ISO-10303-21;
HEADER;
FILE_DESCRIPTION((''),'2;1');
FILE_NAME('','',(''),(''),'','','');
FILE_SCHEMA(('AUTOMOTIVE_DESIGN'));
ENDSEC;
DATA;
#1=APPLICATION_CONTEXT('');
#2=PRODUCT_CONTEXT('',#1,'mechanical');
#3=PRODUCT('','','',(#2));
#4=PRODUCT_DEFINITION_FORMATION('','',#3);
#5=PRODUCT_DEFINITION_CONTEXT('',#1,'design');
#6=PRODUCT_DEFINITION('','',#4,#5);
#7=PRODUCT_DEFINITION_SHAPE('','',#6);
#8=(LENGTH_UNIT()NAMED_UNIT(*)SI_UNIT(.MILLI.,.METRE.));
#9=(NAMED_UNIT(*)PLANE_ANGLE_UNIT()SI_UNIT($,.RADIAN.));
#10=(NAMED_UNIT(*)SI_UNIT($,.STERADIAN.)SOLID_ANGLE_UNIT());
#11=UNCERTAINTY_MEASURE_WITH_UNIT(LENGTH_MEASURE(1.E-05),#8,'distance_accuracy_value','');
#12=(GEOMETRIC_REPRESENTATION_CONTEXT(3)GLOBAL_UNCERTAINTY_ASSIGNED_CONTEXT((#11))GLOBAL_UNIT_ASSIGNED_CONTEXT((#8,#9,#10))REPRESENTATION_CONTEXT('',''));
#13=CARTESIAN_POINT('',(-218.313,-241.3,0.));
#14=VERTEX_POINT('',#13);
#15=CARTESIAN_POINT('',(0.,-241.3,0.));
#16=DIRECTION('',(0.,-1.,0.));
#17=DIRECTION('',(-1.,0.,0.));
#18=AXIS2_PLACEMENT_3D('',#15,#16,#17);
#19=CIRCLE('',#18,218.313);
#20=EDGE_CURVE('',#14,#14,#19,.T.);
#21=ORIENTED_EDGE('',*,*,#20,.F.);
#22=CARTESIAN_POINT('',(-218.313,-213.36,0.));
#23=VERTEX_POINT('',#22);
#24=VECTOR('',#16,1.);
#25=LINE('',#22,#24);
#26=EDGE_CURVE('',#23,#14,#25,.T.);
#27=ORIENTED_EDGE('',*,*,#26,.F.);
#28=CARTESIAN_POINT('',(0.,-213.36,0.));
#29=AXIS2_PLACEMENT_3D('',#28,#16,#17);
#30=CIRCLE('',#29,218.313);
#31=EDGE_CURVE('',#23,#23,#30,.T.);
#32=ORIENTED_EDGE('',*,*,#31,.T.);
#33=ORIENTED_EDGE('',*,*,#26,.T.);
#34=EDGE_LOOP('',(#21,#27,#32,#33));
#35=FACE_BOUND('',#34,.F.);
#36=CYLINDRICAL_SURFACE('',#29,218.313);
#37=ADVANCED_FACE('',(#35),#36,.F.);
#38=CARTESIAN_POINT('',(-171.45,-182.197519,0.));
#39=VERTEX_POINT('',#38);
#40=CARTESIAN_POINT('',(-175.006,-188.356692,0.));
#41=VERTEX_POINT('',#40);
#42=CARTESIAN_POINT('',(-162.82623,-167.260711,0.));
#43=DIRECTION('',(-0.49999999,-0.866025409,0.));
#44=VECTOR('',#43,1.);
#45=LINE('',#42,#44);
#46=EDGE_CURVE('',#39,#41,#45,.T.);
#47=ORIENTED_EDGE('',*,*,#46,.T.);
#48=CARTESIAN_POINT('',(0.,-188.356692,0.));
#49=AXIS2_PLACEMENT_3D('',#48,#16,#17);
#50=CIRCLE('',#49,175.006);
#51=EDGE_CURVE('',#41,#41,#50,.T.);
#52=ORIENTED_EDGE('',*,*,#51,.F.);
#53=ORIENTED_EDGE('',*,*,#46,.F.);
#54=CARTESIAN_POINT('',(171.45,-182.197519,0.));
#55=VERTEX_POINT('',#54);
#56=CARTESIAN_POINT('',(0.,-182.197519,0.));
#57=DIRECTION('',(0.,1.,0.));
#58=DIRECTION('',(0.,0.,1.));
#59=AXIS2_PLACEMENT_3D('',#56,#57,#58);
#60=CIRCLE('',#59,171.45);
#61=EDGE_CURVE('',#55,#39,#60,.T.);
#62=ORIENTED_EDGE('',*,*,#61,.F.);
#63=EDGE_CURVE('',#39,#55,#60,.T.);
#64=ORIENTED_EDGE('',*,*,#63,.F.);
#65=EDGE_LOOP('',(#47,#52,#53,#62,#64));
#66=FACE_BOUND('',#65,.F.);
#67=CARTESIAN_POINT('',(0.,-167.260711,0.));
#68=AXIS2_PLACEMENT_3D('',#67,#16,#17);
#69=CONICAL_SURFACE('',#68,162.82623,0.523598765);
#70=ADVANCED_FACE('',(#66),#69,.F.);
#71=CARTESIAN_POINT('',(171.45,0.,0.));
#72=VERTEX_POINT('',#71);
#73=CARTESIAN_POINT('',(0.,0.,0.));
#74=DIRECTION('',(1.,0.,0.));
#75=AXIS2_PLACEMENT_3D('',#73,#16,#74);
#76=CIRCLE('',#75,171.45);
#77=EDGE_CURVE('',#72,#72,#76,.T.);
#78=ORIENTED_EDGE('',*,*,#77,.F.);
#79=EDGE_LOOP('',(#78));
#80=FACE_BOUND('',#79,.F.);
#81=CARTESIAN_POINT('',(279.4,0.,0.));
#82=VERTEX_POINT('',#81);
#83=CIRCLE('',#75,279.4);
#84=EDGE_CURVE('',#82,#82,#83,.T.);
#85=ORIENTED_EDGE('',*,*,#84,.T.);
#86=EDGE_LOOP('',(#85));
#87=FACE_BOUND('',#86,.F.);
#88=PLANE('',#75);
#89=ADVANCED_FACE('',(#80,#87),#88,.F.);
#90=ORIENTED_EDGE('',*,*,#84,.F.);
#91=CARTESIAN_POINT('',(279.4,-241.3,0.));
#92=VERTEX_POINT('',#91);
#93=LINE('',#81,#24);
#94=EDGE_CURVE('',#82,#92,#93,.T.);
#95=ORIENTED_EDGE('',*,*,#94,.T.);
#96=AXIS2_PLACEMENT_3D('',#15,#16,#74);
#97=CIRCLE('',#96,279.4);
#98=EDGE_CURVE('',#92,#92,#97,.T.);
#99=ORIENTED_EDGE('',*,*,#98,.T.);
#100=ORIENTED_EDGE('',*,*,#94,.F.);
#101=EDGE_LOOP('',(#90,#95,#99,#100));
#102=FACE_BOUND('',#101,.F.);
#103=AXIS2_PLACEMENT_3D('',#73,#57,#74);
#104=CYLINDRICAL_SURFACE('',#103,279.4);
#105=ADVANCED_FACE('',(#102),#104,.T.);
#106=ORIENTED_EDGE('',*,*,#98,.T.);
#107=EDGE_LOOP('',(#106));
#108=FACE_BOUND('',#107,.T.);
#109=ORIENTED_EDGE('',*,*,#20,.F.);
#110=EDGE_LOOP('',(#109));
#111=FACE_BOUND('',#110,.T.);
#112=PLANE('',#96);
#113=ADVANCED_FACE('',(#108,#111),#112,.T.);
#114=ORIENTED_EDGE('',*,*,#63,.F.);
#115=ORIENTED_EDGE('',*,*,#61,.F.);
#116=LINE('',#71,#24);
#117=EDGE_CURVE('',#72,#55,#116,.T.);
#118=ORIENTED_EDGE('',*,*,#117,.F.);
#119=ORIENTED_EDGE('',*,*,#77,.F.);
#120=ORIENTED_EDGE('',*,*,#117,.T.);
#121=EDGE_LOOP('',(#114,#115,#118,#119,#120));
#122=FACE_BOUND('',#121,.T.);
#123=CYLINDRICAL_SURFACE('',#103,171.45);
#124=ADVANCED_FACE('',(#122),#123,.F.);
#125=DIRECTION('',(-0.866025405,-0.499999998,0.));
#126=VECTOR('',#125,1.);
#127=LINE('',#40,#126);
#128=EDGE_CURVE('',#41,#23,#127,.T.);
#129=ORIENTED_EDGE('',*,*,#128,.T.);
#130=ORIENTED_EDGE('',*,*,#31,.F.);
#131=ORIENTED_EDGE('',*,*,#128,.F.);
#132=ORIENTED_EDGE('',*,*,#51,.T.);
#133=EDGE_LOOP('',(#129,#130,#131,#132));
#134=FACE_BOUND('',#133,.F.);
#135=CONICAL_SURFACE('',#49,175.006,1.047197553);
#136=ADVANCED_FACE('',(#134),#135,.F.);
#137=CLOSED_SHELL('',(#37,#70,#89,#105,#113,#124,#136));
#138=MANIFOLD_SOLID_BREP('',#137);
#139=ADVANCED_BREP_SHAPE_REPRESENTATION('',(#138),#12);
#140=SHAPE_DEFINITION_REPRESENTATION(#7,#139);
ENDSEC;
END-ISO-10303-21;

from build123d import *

# Parameters (mm, degrees)
F0_R     = 279.4
F0_R_2   = 171.45
F1_DEPTH = 241.3


with BuildPart() as f1:
    # F0 (on Front) → F1 (new body)
    with BuildSketch(Plane.XZ):
        Circle(F0_R)
        Circle(F0_R_2, mode=Mode.SUBTRACT)
    extrude(amount=F1_DEPTH)

    # F2 (on Top) → F3 (revolve, cut)
    with BuildSketch(Plane.XY):
        Polygon((-218.313, -213.36), (-218.313, -248.940435), (-138.143639, -248.940435), (-150.698322, -174.322647), (-162.82623, -167.260711), (-175.006, -188.356692), align=None)
    revolve(axis=Axis((0, -122.0978, 0), (0, -1, 0)), mode=Mode.SUBTRACT)


solid = f1.part
